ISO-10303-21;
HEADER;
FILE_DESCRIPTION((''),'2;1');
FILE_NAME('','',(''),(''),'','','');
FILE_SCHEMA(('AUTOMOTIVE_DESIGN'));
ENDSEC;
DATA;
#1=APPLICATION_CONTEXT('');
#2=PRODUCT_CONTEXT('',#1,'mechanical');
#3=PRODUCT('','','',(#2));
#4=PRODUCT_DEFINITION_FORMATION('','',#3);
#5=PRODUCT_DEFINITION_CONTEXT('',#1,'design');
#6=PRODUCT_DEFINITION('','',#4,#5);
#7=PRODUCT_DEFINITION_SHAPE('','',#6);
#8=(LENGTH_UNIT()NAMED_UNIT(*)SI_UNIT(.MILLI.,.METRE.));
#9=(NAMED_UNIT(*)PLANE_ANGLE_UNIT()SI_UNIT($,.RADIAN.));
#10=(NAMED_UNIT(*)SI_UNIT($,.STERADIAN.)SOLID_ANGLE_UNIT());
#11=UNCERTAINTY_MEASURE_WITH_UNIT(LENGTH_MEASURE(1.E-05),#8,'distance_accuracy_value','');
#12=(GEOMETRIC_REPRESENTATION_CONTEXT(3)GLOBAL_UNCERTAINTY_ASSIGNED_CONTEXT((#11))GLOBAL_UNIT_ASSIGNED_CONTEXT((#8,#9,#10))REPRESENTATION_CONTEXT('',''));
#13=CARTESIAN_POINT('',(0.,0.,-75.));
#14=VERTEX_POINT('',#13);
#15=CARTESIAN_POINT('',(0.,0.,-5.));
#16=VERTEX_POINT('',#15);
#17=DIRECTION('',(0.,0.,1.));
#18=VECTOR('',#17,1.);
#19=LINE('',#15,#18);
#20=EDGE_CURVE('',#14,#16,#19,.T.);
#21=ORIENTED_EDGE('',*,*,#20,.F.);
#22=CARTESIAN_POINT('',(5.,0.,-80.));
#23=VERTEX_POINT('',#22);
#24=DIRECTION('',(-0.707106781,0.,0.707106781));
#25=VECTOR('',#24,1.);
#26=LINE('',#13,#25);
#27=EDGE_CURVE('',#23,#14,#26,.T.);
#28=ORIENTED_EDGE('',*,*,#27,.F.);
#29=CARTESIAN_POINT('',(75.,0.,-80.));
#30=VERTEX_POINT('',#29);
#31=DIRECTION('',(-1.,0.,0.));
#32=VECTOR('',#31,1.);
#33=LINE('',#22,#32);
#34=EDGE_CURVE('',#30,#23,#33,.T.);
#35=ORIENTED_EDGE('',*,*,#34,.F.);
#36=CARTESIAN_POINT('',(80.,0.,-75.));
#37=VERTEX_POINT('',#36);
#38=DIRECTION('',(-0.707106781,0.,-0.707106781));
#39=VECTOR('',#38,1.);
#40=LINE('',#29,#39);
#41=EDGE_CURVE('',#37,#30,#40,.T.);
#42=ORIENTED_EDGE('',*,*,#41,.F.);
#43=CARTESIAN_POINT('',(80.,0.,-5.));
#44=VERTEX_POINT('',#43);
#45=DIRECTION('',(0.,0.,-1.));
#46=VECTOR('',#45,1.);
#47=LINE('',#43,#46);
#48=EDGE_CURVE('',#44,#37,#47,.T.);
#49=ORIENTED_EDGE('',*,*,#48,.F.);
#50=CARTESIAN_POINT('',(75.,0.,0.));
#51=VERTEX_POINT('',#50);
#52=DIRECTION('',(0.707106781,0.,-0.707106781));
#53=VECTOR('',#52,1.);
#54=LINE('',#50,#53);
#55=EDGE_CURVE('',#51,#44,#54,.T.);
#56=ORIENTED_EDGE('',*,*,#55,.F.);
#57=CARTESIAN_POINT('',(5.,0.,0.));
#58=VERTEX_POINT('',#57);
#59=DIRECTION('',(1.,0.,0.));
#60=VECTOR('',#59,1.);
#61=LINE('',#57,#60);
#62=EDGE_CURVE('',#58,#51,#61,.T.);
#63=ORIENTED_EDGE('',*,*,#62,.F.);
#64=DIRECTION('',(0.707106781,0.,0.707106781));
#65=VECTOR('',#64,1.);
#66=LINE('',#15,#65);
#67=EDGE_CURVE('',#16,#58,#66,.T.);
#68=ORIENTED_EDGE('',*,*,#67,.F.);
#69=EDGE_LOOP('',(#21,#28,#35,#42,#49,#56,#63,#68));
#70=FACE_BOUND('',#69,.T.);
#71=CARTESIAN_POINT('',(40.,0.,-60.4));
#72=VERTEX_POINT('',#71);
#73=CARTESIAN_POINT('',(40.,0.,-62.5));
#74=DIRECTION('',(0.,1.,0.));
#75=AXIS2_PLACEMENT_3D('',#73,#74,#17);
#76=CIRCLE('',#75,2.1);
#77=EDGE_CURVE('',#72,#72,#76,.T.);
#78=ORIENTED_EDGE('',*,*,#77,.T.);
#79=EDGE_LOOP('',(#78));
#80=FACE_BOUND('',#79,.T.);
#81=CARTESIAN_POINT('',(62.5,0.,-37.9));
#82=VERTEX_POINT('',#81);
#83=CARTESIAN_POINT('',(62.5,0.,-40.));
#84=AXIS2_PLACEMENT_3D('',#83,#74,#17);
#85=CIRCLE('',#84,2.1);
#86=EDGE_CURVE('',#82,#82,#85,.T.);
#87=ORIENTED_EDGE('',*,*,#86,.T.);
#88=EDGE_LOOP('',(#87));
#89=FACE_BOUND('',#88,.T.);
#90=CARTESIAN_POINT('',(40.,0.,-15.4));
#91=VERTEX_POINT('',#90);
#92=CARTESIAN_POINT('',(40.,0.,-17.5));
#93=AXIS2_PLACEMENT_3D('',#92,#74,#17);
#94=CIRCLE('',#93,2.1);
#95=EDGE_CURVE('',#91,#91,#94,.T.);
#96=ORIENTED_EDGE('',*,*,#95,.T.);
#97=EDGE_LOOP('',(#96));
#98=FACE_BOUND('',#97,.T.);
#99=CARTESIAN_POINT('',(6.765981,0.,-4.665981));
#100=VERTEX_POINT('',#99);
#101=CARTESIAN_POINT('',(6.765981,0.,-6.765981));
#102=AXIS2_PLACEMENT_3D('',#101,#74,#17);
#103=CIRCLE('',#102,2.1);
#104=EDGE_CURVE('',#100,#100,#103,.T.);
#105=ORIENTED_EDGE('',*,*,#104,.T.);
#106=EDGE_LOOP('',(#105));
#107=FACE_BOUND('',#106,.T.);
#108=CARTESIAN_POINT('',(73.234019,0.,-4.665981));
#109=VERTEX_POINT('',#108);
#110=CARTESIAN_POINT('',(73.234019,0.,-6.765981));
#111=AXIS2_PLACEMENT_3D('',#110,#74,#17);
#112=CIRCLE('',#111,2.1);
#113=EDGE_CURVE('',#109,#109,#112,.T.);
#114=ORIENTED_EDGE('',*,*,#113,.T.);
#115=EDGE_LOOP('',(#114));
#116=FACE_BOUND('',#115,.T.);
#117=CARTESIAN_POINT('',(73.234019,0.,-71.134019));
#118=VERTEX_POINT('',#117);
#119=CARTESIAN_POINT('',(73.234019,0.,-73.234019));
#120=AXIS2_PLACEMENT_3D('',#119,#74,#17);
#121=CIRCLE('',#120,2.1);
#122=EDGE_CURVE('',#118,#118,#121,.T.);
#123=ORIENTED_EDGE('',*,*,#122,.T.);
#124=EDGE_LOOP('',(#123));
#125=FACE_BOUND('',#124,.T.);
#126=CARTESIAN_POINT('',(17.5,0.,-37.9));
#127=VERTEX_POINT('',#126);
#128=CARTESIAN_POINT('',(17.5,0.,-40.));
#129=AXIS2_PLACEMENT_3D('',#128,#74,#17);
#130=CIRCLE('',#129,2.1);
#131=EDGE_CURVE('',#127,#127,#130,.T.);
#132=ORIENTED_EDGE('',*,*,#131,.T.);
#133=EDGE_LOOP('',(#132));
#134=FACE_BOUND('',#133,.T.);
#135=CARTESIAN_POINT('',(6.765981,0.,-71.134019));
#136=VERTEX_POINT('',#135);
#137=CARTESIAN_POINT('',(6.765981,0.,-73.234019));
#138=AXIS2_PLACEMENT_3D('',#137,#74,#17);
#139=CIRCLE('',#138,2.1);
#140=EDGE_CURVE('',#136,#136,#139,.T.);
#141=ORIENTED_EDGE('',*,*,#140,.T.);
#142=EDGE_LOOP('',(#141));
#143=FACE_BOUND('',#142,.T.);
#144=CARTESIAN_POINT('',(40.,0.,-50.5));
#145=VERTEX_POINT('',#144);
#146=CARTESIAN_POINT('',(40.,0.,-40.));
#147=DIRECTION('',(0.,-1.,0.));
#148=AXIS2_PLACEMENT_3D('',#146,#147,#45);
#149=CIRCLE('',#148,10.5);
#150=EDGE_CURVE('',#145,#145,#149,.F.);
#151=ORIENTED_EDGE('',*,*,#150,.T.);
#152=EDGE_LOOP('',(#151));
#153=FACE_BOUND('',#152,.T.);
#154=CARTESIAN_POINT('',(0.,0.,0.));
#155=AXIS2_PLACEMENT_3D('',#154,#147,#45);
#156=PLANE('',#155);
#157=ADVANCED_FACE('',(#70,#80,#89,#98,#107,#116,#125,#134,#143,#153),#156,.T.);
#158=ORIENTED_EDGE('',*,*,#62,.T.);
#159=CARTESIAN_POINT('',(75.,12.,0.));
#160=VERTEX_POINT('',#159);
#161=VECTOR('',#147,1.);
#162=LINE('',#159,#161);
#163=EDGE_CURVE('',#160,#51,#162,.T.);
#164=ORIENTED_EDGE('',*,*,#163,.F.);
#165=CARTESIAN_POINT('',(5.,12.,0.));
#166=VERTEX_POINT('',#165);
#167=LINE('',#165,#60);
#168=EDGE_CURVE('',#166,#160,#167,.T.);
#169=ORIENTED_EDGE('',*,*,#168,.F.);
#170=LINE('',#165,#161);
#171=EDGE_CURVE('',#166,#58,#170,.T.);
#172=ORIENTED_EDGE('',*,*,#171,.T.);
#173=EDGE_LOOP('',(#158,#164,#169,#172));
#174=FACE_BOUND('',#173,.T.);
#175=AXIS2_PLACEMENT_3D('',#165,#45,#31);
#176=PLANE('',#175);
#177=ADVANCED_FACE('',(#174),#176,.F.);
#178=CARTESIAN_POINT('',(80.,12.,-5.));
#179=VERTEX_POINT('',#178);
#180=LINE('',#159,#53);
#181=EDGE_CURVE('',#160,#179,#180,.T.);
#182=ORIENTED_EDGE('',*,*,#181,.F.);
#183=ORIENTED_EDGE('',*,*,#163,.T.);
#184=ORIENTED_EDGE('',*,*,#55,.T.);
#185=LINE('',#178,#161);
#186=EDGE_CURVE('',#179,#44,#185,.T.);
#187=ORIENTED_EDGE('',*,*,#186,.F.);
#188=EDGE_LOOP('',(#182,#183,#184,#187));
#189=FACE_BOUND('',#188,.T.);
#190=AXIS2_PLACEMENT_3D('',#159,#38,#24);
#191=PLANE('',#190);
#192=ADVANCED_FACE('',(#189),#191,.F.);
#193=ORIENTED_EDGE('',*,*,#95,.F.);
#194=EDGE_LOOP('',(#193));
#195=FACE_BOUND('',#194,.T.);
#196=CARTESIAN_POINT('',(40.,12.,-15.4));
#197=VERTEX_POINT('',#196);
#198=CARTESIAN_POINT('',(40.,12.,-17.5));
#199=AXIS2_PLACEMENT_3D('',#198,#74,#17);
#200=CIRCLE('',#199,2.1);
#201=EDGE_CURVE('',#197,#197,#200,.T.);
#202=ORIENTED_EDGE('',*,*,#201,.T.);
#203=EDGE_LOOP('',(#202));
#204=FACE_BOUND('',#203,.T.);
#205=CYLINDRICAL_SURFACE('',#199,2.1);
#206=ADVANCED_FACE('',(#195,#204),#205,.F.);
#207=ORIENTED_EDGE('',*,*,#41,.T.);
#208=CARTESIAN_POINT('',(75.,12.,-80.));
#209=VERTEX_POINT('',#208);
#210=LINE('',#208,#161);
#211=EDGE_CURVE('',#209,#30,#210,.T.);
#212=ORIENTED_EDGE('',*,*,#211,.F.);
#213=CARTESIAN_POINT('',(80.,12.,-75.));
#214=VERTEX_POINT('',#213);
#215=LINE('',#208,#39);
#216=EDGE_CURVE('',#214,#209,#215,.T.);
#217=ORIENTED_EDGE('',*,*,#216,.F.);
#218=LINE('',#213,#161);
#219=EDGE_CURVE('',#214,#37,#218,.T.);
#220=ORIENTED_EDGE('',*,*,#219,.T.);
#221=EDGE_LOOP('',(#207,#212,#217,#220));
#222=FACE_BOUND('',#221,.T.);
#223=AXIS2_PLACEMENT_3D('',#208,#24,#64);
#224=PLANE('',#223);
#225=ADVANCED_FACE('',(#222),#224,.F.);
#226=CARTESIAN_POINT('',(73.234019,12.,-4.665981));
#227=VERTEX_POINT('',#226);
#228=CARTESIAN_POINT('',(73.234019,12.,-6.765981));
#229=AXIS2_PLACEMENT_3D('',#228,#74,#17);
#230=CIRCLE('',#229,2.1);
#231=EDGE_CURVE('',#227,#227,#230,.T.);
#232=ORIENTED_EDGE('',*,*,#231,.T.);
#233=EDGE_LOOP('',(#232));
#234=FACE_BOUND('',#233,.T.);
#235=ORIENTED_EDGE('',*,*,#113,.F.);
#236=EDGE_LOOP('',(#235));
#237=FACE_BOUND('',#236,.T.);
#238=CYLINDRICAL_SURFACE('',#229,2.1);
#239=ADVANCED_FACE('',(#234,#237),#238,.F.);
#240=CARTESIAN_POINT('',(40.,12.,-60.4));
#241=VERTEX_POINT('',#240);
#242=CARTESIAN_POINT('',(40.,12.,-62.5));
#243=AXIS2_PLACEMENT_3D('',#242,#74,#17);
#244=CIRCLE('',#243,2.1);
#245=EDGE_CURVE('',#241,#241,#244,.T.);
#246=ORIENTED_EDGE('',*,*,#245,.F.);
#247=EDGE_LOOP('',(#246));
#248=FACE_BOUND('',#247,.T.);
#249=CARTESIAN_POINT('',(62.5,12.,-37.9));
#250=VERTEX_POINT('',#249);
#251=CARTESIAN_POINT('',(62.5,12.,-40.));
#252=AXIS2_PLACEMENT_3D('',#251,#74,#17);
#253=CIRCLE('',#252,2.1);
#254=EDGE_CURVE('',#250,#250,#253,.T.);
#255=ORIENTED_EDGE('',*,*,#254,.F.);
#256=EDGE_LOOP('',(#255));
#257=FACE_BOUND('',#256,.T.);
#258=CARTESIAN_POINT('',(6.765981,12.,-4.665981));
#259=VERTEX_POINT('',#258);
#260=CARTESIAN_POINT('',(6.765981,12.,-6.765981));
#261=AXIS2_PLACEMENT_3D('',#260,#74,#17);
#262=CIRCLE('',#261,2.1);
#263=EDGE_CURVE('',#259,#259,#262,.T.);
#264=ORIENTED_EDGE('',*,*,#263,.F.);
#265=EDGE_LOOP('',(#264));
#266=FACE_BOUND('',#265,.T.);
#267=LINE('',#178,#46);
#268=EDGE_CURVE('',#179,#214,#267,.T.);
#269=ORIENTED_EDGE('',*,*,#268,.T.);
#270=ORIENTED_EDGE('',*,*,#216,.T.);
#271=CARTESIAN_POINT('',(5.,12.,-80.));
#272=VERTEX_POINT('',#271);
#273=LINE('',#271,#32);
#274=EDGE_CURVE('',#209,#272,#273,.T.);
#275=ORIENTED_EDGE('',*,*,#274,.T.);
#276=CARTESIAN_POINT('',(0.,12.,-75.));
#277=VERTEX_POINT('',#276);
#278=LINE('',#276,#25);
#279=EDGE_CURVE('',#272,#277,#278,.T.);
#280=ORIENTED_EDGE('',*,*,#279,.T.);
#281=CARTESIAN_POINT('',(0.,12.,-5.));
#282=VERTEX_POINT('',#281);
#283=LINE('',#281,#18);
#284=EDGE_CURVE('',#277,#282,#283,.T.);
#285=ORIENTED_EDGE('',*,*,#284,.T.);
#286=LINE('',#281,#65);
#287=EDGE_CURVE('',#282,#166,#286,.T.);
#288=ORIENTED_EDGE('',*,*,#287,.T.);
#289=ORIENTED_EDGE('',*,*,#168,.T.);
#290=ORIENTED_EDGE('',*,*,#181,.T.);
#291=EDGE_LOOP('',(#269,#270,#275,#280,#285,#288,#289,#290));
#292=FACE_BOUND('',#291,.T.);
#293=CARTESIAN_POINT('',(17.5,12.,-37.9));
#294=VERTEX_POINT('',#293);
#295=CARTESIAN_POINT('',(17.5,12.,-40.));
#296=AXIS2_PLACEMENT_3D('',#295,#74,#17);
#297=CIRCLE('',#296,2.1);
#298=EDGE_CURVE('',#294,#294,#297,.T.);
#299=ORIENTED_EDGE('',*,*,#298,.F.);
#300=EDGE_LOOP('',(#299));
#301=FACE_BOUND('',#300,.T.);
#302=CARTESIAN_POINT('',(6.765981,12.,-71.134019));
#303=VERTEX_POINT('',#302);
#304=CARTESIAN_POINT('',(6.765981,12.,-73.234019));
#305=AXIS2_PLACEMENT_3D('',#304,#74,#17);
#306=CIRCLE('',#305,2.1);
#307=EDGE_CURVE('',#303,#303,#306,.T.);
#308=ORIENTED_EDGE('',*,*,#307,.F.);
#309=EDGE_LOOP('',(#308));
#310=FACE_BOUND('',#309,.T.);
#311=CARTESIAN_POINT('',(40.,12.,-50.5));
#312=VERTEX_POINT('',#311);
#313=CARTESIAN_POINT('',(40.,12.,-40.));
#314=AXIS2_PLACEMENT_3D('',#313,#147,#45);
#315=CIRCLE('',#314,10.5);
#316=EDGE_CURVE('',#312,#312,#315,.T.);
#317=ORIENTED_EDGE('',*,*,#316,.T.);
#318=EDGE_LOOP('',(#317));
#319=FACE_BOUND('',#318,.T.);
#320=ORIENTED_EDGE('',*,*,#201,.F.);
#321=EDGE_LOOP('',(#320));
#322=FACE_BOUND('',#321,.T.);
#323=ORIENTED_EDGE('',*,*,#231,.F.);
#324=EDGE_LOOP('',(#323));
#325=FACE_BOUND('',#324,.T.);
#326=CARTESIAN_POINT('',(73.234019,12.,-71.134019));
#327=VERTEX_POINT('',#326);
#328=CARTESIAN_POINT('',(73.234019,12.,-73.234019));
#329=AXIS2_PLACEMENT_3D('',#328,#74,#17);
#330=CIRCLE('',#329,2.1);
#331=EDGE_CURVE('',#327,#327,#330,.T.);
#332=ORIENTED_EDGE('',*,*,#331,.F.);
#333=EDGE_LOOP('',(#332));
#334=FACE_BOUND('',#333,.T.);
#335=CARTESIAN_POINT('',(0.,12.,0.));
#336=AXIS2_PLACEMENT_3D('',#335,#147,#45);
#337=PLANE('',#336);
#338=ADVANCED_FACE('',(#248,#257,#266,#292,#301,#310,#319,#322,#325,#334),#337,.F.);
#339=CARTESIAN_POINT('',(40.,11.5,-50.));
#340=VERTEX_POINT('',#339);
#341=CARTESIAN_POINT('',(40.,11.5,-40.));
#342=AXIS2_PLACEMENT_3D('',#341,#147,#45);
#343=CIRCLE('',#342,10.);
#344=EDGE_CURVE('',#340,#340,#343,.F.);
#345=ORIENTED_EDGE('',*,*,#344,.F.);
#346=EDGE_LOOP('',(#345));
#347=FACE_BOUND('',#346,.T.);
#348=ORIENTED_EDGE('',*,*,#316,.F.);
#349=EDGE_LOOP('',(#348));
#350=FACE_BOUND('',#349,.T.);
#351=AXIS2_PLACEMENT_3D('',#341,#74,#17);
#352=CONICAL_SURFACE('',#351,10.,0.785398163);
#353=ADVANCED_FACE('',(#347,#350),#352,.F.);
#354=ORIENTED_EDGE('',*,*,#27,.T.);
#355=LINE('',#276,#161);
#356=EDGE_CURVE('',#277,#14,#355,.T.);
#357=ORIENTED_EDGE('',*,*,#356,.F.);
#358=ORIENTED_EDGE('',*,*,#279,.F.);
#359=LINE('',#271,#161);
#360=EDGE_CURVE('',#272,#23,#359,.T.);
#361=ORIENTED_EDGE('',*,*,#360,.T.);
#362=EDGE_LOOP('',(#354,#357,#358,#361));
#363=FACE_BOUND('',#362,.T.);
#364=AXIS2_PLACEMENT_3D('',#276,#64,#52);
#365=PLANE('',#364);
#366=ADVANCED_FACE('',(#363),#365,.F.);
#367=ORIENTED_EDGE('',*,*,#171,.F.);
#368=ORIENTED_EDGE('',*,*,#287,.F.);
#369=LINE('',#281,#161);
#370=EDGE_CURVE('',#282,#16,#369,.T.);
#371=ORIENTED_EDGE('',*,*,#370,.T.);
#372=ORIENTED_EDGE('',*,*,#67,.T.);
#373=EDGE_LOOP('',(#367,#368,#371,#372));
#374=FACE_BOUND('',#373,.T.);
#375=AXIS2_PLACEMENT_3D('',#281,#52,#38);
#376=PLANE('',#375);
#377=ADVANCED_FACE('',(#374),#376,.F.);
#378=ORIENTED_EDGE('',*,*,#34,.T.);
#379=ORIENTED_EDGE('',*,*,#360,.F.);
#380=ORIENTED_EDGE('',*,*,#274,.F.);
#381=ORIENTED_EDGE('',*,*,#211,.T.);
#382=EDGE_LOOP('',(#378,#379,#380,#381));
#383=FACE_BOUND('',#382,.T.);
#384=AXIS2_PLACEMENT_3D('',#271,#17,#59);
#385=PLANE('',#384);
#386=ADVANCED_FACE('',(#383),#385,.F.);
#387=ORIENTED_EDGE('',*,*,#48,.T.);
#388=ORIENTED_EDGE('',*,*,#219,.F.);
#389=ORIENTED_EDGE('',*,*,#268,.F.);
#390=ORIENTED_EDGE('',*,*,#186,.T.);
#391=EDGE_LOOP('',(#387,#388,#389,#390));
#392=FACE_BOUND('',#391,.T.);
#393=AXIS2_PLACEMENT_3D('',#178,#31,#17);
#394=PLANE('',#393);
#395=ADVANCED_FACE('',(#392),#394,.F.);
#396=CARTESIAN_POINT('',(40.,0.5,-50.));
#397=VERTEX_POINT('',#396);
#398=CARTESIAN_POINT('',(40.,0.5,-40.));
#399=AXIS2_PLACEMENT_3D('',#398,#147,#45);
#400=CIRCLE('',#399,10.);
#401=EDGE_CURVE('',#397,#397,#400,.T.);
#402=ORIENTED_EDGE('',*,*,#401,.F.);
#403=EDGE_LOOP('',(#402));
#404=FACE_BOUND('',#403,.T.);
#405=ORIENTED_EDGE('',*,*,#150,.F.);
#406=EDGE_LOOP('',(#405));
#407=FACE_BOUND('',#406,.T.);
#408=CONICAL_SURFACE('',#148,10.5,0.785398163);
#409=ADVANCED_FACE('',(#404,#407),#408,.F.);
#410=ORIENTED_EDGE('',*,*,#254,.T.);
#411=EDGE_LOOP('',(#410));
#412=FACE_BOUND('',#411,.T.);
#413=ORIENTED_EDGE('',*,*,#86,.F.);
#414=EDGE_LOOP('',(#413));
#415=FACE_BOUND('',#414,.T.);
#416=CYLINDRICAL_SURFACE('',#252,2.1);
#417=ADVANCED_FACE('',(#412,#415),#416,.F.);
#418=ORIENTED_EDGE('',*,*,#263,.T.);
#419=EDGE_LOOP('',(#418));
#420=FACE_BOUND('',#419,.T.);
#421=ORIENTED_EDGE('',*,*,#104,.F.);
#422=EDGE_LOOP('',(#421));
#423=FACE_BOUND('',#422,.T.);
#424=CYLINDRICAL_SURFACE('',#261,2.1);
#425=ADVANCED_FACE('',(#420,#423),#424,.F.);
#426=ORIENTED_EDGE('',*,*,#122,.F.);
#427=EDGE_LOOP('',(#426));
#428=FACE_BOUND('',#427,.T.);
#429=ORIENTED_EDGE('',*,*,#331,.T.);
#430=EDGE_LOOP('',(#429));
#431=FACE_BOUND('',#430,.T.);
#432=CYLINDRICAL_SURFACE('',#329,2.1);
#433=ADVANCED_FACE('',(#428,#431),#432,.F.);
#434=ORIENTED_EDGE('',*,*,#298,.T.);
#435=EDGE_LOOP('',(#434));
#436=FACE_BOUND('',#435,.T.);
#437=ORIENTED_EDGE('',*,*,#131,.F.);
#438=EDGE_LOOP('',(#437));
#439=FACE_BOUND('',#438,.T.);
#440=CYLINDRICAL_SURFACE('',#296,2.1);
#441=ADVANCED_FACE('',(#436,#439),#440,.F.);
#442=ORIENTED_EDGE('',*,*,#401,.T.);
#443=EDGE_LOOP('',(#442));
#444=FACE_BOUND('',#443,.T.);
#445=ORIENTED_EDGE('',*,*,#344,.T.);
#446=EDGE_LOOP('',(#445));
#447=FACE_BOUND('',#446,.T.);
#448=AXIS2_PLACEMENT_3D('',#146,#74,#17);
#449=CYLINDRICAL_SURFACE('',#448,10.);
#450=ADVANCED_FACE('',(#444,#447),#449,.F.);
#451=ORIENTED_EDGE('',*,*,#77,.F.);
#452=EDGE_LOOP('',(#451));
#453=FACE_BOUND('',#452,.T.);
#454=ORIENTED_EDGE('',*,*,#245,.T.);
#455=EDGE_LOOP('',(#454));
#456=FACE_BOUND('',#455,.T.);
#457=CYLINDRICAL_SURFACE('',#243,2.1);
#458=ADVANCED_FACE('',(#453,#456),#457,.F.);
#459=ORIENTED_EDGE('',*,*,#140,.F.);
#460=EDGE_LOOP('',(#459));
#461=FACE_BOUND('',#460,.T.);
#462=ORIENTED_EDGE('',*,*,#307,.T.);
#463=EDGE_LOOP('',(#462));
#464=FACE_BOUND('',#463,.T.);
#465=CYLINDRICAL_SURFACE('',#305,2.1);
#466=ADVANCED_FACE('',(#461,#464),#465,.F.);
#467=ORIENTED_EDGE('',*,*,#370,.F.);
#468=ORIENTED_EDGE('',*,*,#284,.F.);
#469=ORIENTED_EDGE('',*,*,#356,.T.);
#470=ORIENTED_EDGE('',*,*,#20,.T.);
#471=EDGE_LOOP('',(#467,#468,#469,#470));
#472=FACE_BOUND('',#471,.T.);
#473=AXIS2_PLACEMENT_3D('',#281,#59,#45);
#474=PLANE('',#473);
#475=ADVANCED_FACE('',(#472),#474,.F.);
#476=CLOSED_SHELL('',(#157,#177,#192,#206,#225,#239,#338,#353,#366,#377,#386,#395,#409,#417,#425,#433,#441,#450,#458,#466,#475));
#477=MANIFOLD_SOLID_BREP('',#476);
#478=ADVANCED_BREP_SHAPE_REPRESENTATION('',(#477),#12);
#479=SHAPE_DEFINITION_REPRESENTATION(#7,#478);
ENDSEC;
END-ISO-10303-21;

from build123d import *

# Parameters (mm, degrees)
EXTRUDE_1_DEPTH     = 12
HOLE_WIZARD_M5_1_D  = 4.2
SKETCH_5_R          = 10
CUT_EXTRUDE_1_DEPTH = 114.771701227
CHAMFER_1_SIZE      = 0.5


with BuildPart() as part:
    # 스케치1 → 보스-돌출1 (new body)
    with BuildSketch(Plane(origin=(0, 0, 0), x_dir=(1, 0, 0), z_dir=(0, 1, 0))):
        Polygon((0, 75), (5, 80), (75, 80), (80, 75), (80, 5), (75, 0), (5, 0), (0, 5), align=None)
    extrude(amount=EXTRUDE_1_DEPTH)

    # M5 나사 구멍1 (through all)
    with Locations(Plane(origin=(0, 12, 0), x_dir=(1, 0, 0), z_dir=(0, 1, 0))):
        with Locations((6.765981284, 73.234018716), (40, 62.5), (73.234018716, 73.234018716), (62.5, 40), (40, 17.5), (17.5, 40), (6.765981284, 6.765981284), (73.234018716, 6.765981284)):
            Hole(HOLE_WIZARD_M5_1_D / 2)

    # 스케치5 → 컷-돌출1 (cut, through all)
    with BuildSketch(Plane(origin=(0, 12, 0), x_dir=(1, 0, 0), z_dir=(0, 1, 0))):
        with Locations(Location((40, 40, 0), (0, 0, 270))):
            Circle(SKETCH_5_R)
    extrude(amount=-CUT_EXTRUDE_1_DEPTH, mode=Mode.SUBTRACT)

    # 모따기1
    chamfer_1_edges = [part.edges().sort_by_distance(p)[0] for p in [
        (40, 0, -50),
        (40, 12, -50),
    ]]
    chamfer(chamfer_1_edges, length=CHAMFER_1_SIZE)


solid = part.part
